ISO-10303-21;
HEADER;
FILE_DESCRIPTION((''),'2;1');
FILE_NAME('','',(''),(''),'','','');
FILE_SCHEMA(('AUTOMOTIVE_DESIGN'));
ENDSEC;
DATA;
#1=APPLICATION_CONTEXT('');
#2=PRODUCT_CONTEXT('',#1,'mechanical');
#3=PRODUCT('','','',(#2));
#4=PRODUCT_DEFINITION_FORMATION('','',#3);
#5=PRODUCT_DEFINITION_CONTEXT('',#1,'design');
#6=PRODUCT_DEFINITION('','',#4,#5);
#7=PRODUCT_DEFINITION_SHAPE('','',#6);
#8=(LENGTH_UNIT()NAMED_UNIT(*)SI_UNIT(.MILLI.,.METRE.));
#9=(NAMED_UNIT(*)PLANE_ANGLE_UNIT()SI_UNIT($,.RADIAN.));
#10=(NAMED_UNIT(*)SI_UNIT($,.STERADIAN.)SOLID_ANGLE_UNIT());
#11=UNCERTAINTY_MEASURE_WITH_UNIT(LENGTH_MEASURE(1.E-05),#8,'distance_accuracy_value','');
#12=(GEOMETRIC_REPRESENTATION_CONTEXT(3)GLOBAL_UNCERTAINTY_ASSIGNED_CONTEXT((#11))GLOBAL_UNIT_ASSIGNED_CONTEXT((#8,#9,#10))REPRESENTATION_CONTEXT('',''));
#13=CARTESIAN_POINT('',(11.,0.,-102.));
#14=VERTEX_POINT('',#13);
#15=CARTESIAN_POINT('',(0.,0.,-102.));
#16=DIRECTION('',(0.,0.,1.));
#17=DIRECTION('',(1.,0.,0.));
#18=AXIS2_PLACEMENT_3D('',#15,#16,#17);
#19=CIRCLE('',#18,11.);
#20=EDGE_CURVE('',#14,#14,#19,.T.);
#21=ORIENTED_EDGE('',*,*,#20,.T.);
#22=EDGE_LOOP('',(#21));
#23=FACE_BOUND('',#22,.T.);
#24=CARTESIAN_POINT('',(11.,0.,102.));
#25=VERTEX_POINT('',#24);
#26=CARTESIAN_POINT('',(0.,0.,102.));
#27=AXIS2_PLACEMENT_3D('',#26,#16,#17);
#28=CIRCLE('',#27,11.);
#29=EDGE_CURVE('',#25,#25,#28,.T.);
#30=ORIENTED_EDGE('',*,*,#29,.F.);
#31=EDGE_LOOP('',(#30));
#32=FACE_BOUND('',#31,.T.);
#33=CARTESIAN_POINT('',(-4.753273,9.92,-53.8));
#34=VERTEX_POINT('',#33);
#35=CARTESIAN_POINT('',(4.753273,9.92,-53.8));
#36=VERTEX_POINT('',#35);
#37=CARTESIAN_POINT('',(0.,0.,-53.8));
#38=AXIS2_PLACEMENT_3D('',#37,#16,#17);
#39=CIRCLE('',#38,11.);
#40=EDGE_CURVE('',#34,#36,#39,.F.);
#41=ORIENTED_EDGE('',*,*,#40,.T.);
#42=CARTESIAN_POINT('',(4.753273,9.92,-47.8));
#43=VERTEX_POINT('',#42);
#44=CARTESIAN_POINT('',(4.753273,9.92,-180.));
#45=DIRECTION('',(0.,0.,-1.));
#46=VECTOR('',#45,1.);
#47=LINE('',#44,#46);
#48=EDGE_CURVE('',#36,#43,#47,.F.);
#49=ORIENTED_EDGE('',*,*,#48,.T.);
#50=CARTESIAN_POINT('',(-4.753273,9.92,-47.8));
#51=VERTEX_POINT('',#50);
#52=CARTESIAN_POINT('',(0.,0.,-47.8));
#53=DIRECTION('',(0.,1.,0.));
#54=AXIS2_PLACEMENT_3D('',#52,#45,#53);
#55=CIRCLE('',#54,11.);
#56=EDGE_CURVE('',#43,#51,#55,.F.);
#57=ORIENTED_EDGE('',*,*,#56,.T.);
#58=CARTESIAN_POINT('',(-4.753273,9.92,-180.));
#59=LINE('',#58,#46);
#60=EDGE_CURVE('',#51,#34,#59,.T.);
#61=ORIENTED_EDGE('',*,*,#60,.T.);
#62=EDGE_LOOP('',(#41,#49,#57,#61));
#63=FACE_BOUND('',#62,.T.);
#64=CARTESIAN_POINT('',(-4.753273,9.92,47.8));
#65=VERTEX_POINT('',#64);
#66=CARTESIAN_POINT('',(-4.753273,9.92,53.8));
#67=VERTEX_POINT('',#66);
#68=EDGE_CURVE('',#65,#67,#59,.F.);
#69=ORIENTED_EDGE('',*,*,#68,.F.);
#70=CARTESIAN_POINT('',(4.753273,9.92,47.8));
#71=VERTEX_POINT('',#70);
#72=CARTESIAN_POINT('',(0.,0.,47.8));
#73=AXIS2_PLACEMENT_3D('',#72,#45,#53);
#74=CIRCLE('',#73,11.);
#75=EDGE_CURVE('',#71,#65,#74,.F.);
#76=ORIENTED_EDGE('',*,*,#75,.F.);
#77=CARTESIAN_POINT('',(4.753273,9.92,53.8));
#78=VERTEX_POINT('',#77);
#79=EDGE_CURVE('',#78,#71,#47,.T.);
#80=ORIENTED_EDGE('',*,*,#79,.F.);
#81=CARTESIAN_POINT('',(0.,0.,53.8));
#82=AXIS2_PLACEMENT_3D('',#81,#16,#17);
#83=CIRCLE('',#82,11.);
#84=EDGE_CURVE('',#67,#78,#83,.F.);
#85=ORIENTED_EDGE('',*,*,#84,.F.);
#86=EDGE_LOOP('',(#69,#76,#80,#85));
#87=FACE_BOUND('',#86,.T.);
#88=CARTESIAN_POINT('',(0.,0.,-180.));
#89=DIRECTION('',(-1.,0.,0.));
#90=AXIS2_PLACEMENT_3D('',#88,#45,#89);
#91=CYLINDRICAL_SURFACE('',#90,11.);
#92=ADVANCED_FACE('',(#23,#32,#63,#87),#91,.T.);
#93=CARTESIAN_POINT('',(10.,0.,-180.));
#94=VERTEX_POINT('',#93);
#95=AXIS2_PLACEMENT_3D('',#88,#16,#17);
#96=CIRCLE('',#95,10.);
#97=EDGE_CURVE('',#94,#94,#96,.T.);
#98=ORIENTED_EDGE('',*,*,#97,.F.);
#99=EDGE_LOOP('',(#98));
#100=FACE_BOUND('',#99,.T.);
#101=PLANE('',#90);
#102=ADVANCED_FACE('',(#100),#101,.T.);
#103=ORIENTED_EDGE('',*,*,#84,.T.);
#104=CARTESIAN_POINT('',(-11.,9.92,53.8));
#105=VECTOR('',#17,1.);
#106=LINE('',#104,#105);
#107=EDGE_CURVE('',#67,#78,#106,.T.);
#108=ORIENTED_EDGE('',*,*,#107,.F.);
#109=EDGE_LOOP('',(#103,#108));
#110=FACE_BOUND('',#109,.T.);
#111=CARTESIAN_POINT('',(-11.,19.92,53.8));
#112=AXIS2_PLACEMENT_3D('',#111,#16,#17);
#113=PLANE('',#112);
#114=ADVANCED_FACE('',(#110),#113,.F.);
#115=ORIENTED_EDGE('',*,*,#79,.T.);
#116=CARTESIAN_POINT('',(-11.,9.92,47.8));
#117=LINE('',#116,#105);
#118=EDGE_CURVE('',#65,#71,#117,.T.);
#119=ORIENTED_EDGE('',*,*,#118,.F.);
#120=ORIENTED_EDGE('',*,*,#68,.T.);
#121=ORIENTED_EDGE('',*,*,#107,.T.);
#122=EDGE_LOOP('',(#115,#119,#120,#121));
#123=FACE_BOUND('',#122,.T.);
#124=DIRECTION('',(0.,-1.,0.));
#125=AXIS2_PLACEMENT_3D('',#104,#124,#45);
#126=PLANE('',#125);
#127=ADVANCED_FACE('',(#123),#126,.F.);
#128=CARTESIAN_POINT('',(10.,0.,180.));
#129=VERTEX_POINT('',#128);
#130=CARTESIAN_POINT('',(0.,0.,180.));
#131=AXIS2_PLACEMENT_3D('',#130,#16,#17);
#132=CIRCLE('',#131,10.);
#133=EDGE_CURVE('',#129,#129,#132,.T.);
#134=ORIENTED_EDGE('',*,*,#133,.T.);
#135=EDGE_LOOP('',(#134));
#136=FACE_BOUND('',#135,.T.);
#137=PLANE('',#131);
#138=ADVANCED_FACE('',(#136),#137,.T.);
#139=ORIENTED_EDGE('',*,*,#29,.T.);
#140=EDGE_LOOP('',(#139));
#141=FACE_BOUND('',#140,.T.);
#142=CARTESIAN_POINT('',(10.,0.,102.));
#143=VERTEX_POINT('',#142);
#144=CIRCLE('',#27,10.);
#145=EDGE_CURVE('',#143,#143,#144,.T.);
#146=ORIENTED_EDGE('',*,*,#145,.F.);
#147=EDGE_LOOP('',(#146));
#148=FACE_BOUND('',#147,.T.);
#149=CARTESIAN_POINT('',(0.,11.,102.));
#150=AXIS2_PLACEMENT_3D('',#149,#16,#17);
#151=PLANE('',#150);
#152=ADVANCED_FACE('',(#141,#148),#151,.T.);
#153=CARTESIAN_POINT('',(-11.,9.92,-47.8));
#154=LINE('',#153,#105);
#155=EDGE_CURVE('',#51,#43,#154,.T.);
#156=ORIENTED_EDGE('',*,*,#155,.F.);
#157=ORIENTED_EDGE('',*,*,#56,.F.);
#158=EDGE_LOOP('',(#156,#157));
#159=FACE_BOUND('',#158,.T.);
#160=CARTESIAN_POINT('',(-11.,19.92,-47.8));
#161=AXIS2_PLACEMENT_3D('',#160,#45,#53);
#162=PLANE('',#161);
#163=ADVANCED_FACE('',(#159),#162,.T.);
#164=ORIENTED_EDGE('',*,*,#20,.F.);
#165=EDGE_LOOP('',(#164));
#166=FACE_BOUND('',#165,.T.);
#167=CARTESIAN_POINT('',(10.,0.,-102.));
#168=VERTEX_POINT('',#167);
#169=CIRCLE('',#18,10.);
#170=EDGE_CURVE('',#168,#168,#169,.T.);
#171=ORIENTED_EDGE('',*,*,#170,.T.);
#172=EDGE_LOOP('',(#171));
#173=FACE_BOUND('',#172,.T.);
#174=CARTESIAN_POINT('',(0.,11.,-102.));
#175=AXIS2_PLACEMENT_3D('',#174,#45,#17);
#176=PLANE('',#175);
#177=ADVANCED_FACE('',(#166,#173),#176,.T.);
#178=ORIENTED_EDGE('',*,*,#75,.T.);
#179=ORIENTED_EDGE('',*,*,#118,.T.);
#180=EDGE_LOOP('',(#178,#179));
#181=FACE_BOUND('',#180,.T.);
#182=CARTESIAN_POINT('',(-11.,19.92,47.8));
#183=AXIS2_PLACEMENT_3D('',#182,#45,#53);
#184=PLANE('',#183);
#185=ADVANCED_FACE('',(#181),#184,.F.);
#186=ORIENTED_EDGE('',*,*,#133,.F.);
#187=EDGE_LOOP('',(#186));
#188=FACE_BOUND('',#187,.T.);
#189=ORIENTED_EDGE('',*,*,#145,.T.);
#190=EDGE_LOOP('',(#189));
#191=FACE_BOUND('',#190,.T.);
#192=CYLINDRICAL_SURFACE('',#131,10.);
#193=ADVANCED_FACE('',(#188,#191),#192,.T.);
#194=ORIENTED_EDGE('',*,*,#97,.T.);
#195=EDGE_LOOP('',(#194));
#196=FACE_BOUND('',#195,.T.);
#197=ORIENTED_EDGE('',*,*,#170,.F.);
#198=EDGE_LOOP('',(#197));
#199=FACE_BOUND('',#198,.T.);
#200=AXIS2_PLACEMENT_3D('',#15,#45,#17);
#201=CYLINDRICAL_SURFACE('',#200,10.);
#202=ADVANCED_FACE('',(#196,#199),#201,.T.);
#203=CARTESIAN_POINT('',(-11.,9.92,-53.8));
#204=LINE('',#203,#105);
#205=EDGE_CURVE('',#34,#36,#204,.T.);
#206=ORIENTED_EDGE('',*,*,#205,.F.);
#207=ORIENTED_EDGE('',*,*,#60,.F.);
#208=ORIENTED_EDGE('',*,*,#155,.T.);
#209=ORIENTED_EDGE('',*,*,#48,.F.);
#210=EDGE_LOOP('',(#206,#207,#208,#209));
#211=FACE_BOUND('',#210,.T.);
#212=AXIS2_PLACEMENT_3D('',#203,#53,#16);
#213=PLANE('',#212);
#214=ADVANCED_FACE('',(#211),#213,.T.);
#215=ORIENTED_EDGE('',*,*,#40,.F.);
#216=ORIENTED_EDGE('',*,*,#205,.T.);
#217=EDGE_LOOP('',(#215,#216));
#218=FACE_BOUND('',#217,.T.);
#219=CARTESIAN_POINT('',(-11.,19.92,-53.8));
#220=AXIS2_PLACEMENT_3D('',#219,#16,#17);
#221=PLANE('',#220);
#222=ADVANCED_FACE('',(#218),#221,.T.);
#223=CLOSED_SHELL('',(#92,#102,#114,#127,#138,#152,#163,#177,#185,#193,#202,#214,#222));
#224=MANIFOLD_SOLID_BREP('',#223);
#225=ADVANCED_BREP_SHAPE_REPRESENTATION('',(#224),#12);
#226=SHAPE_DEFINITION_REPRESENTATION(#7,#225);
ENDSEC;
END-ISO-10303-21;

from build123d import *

# Parameters (mm, degrees)
SKETCH1_W          = 360
SKETCH1_H          = 11
SKETCH4_W          = 6
SKETCH4_H          = 10
CUT_EXTRUDE1_DEPTH = 181.670971658
SKETCH6_W          = 78
SKETCH6_H          = 1


with BuildPart() as part:
    # Sketch1 → Revolve1 (revolve)
    with BuildSketch(Plane(origin=(0, 0, 0), x_dir=(0, 0, -1), z_dir=(1, 0, 0)), mode=Mode.PRIVATE) as revolve1_sk:
        with Locations((0, 5.5)):
            Rectangle(SKETCH1_W, SKETCH1_H)
    revolve(revolve1_sk.sketch.rotate(Axis((0, 0, -180), (0, 0, 1)), 90), axis=Axis((0, 0, -180), (0, 0, 1)))

    # Sketch4 → Cut-Extrude1 (cut, symmetric)
    with BuildSketch(Plane(origin=(0, 0, 0), x_dir=(0, 0, -1), z_dir=(1, 0, 0))):
        with Locations((-50.8, 14.92)):
            Rectangle(SKETCH4_W, SKETCH4_H)
    cut_extrude1 = extrude(amount=CUT_EXTRUDE1_DEPTH, both=True, mode=Mode.SUBTRACT)

    # Sketch6 → Cut-Revolve1 (revolve, cut)
    with BuildSketch(Plane(origin=(0, 0, 0), x_dir=(0, 0, -1), z_dir=(1, 0, 0)), mode=Mode.PRIVATE) as cut_revolve1_sk:
        with Locations((-141, 10.5)):
            Rectangle(SKETCH6_W, SKETCH6_H)
    cut_revolve1 = revolve(cut_revolve1_sk.sketch.rotate(Axis((0, 0, -180), (0, 0, -1)), 270), axis=Axis((0, 0, -180), (0, 0, -1)), mode=Mode.SUBTRACT)

    # Mirror2: Cut-Extrude1, Cut-Revolve1 across plane
    add(cut_extrude1.mirror(Plane.XY), mode=Mode.SUBTRACT)
    add(cut_revolve1.mirror(Plane.XY), mode=Mode.SUBTRACT)


solid = part.part
